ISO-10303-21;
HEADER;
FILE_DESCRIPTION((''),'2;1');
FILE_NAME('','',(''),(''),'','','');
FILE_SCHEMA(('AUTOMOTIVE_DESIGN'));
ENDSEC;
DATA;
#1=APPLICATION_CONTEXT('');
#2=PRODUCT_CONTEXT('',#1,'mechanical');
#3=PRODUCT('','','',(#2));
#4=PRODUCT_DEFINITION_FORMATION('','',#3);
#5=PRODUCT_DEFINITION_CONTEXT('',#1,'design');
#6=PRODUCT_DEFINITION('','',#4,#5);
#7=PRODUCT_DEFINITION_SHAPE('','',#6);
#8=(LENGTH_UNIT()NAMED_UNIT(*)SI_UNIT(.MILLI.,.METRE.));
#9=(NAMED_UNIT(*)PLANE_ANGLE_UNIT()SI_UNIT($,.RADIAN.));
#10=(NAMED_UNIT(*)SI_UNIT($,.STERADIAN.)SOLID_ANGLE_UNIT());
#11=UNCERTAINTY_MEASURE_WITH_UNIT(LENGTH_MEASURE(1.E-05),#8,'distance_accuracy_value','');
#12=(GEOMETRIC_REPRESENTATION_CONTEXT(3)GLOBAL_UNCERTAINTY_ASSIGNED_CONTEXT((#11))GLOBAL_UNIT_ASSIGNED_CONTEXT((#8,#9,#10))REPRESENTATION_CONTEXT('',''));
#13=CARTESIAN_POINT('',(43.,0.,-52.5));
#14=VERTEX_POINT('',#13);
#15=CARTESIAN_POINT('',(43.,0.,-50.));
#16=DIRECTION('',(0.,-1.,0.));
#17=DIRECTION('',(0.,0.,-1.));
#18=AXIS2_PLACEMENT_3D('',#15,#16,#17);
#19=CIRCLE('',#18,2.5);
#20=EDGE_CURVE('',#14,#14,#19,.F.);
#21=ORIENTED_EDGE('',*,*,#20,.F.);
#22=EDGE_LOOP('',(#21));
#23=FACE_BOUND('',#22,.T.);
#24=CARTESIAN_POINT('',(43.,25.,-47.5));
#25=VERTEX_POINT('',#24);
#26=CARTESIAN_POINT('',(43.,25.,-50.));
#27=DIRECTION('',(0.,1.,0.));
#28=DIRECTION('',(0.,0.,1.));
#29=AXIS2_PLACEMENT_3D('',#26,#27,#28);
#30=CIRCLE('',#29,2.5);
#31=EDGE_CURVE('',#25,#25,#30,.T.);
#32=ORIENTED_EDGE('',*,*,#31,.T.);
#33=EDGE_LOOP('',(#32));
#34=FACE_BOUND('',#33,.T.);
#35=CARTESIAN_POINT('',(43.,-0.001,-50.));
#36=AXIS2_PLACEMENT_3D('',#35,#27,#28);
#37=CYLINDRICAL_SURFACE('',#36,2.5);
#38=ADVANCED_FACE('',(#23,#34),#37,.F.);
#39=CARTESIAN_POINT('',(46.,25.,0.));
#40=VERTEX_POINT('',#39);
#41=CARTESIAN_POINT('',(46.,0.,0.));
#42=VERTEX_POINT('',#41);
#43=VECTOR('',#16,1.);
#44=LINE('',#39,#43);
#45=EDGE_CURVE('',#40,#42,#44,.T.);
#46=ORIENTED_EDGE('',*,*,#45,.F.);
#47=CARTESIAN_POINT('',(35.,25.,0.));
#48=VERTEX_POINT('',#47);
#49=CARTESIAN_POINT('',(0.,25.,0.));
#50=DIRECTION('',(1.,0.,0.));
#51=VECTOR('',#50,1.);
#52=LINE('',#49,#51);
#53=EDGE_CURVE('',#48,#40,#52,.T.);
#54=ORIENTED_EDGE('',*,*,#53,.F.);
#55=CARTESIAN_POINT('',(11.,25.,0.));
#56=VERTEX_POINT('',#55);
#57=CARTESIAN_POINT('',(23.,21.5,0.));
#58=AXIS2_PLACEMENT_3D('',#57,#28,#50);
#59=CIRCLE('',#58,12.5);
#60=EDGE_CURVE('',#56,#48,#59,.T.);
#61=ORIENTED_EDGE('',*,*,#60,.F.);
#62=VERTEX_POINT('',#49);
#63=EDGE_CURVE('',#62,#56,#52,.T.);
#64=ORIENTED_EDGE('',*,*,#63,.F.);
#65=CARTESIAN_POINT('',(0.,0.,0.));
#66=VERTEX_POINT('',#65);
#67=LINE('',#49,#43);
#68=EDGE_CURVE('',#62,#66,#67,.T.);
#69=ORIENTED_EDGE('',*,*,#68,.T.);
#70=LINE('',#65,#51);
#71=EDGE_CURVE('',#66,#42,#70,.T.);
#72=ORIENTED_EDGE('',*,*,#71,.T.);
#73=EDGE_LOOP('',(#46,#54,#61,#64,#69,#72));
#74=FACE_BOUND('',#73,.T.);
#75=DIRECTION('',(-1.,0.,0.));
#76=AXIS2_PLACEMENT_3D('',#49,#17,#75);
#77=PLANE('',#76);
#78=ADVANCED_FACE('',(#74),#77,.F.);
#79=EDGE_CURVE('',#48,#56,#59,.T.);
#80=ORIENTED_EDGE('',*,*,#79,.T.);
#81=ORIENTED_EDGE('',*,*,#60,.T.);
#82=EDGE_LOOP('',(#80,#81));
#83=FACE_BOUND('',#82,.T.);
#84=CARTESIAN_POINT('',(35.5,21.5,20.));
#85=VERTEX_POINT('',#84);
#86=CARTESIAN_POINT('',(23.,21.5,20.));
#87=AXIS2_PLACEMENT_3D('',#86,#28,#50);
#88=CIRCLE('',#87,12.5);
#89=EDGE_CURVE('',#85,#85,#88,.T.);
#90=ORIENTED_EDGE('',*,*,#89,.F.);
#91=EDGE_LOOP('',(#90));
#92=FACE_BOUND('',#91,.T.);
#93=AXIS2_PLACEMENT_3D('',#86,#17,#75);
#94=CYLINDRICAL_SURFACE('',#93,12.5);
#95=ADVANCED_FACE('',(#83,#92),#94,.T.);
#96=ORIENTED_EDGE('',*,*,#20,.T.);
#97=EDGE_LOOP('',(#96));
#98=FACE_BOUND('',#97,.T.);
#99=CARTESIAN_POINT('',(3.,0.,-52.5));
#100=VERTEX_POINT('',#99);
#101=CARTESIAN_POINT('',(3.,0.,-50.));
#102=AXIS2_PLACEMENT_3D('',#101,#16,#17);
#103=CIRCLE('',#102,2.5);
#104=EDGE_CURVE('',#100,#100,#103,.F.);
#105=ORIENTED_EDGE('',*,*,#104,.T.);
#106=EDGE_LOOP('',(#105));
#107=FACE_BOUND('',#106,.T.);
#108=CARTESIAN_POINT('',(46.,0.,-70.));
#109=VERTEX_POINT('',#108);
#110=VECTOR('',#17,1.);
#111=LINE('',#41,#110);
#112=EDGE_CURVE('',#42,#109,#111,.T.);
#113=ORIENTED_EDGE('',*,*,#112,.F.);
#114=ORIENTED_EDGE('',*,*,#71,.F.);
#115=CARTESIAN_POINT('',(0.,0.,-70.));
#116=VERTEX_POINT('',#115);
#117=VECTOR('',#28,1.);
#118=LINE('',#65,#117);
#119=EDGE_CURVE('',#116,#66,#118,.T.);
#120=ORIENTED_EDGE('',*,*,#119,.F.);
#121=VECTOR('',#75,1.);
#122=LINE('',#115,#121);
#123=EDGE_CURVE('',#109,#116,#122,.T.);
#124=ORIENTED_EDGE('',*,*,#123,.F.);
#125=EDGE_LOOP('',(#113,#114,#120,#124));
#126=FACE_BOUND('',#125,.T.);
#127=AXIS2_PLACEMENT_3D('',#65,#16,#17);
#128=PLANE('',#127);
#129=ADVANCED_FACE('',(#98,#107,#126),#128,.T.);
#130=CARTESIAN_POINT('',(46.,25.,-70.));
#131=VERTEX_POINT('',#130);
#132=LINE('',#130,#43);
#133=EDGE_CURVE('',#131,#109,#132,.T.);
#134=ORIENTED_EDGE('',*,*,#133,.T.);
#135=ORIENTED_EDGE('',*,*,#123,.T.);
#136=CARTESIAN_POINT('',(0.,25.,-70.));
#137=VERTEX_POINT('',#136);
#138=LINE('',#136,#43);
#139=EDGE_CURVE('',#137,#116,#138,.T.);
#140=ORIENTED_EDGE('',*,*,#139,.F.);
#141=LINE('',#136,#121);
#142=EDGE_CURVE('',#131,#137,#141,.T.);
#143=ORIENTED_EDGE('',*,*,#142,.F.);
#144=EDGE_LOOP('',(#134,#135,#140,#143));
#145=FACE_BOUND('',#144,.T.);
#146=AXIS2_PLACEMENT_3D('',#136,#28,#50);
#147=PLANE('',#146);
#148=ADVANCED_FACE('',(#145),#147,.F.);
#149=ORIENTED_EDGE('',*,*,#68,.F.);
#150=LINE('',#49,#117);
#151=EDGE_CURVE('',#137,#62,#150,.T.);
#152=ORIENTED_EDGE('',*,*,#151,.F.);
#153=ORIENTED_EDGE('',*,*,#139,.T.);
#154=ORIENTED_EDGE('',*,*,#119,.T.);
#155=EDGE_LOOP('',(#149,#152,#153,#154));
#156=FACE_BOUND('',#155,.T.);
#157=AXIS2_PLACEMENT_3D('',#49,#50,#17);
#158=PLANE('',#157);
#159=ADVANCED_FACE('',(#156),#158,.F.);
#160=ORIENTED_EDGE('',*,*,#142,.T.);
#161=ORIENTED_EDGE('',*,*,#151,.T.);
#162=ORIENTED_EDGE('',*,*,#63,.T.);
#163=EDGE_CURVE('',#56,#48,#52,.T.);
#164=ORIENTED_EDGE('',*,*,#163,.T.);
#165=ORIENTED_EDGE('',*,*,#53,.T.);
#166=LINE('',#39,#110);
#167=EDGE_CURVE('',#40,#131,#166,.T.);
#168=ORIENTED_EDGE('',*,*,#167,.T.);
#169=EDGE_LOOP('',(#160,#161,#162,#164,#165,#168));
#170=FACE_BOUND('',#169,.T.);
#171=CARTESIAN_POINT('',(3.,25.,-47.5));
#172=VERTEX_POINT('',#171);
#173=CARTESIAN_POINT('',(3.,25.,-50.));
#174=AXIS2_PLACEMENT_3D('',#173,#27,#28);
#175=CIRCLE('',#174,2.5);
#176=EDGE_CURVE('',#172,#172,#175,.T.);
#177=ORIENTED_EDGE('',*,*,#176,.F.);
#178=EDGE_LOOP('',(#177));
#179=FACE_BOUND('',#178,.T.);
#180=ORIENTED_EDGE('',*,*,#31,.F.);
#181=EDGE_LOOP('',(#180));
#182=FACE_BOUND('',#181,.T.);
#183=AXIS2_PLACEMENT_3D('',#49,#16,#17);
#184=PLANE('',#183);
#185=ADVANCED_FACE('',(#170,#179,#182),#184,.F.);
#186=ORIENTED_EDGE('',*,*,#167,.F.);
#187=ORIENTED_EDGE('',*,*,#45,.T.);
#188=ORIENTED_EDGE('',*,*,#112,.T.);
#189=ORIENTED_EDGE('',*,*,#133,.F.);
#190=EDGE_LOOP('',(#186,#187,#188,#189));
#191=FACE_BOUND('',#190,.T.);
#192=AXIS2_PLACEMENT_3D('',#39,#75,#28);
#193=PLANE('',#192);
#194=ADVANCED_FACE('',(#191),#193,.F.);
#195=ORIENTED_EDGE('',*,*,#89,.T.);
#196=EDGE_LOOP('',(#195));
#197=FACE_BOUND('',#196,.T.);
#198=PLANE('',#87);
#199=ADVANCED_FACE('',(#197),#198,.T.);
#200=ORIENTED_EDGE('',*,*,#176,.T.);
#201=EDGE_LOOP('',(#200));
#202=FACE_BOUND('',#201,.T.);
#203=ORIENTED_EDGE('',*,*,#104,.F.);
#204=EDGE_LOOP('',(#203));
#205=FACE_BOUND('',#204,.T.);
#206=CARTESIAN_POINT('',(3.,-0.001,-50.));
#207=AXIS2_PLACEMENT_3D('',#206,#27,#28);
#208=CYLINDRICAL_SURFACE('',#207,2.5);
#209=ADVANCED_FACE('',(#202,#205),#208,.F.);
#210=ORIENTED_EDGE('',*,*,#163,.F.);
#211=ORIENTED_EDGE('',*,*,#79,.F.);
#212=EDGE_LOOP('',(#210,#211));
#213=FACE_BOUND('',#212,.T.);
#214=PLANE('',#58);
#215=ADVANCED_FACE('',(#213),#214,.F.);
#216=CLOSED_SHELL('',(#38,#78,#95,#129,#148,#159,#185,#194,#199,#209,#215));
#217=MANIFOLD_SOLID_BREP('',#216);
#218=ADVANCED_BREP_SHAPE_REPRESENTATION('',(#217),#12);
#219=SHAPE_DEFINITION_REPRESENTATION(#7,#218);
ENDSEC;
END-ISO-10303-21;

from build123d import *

# Parameters (mm, degrees)
SKETCH1_W           = 46
SKETCH1_H           = 70
BOSS_EXTRUDE1_DEPTH = 25
SKETCH2_R           = 12.5
BOSS_EXTRUDE2_DEPTH = 20
CUT_EXTRUDE1_REACH  = 89.413
SKETCH3_R           = 2.5


with BuildPart() as part:
    # Sketch1 → Boss-Extrude1 (new body)
    with BuildSketch(Plane(origin=(0, 0, 0), x_dir=(1, 0, 0), z_dir=(0, 1, 0))):
        with Locations((23, 35)):
            Rectangle(SKETCH1_W, SKETCH1_H)
    extrude(amount=BOSS_EXTRUDE1_DEPTH)

    # Sketch2 → Boss-Extrude2 (add)
    with BuildSketch(Plane.XY):
        with Locations(Location((23, 21.5, 0), (0, 0, 163.739795292))):
            Circle(SKETCH2_R)
    extrude(amount=BOSS_EXTRUDE2_DEPTH)

    # Sketch3 → Cut-Extrude1 (cut, up to next)
    with BuildSketch(Plane(origin=(0, 25, 0), x_dir=(1, 0, 0), z_dir=(0, 1, 0)), mode=Mode.PRIVATE) as cut_extrude1_sk1:
        with Locations(Location((3, 50, 0), (0, 0, 270))):
            Circle(SKETCH3_R)
    cut_extrude1_tool1 = extrude(cut_extrude1_sk1.sketch, amount=-CUT_EXTRUDE1_REACH, mode=Mode.PRIVATE) & part.part
    # Sketch3 → Cut-Extrude1 (cut, up to next)
    with BuildSketch(Plane(origin=(0, 25, 0), x_dir=(1, 0, 0), z_dir=(0, 1, 0)), mode=Mode.PRIVATE) as cut_extrude1_sk2:
        with Locations(Location((43, 50, 0), (0, 0, 270))):
            Circle(SKETCH3_R)
    cut_extrude1_tool2 = extrude(cut_extrude1_sk2.sketch, amount=-CUT_EXTRUDE1_REACH, mode=Mode.PRIVATE) & part.part
    add(cut_extrude1_tool1.solids().sort_by_distance((3, 25, -50))[0], mode=Mode.SUBTRACT)
    add(cut_extrude1_tool2.solids().sort_by_distance((43, 25, -50))[0], mode=Mode.SUBTRACT)


solid = part.part
